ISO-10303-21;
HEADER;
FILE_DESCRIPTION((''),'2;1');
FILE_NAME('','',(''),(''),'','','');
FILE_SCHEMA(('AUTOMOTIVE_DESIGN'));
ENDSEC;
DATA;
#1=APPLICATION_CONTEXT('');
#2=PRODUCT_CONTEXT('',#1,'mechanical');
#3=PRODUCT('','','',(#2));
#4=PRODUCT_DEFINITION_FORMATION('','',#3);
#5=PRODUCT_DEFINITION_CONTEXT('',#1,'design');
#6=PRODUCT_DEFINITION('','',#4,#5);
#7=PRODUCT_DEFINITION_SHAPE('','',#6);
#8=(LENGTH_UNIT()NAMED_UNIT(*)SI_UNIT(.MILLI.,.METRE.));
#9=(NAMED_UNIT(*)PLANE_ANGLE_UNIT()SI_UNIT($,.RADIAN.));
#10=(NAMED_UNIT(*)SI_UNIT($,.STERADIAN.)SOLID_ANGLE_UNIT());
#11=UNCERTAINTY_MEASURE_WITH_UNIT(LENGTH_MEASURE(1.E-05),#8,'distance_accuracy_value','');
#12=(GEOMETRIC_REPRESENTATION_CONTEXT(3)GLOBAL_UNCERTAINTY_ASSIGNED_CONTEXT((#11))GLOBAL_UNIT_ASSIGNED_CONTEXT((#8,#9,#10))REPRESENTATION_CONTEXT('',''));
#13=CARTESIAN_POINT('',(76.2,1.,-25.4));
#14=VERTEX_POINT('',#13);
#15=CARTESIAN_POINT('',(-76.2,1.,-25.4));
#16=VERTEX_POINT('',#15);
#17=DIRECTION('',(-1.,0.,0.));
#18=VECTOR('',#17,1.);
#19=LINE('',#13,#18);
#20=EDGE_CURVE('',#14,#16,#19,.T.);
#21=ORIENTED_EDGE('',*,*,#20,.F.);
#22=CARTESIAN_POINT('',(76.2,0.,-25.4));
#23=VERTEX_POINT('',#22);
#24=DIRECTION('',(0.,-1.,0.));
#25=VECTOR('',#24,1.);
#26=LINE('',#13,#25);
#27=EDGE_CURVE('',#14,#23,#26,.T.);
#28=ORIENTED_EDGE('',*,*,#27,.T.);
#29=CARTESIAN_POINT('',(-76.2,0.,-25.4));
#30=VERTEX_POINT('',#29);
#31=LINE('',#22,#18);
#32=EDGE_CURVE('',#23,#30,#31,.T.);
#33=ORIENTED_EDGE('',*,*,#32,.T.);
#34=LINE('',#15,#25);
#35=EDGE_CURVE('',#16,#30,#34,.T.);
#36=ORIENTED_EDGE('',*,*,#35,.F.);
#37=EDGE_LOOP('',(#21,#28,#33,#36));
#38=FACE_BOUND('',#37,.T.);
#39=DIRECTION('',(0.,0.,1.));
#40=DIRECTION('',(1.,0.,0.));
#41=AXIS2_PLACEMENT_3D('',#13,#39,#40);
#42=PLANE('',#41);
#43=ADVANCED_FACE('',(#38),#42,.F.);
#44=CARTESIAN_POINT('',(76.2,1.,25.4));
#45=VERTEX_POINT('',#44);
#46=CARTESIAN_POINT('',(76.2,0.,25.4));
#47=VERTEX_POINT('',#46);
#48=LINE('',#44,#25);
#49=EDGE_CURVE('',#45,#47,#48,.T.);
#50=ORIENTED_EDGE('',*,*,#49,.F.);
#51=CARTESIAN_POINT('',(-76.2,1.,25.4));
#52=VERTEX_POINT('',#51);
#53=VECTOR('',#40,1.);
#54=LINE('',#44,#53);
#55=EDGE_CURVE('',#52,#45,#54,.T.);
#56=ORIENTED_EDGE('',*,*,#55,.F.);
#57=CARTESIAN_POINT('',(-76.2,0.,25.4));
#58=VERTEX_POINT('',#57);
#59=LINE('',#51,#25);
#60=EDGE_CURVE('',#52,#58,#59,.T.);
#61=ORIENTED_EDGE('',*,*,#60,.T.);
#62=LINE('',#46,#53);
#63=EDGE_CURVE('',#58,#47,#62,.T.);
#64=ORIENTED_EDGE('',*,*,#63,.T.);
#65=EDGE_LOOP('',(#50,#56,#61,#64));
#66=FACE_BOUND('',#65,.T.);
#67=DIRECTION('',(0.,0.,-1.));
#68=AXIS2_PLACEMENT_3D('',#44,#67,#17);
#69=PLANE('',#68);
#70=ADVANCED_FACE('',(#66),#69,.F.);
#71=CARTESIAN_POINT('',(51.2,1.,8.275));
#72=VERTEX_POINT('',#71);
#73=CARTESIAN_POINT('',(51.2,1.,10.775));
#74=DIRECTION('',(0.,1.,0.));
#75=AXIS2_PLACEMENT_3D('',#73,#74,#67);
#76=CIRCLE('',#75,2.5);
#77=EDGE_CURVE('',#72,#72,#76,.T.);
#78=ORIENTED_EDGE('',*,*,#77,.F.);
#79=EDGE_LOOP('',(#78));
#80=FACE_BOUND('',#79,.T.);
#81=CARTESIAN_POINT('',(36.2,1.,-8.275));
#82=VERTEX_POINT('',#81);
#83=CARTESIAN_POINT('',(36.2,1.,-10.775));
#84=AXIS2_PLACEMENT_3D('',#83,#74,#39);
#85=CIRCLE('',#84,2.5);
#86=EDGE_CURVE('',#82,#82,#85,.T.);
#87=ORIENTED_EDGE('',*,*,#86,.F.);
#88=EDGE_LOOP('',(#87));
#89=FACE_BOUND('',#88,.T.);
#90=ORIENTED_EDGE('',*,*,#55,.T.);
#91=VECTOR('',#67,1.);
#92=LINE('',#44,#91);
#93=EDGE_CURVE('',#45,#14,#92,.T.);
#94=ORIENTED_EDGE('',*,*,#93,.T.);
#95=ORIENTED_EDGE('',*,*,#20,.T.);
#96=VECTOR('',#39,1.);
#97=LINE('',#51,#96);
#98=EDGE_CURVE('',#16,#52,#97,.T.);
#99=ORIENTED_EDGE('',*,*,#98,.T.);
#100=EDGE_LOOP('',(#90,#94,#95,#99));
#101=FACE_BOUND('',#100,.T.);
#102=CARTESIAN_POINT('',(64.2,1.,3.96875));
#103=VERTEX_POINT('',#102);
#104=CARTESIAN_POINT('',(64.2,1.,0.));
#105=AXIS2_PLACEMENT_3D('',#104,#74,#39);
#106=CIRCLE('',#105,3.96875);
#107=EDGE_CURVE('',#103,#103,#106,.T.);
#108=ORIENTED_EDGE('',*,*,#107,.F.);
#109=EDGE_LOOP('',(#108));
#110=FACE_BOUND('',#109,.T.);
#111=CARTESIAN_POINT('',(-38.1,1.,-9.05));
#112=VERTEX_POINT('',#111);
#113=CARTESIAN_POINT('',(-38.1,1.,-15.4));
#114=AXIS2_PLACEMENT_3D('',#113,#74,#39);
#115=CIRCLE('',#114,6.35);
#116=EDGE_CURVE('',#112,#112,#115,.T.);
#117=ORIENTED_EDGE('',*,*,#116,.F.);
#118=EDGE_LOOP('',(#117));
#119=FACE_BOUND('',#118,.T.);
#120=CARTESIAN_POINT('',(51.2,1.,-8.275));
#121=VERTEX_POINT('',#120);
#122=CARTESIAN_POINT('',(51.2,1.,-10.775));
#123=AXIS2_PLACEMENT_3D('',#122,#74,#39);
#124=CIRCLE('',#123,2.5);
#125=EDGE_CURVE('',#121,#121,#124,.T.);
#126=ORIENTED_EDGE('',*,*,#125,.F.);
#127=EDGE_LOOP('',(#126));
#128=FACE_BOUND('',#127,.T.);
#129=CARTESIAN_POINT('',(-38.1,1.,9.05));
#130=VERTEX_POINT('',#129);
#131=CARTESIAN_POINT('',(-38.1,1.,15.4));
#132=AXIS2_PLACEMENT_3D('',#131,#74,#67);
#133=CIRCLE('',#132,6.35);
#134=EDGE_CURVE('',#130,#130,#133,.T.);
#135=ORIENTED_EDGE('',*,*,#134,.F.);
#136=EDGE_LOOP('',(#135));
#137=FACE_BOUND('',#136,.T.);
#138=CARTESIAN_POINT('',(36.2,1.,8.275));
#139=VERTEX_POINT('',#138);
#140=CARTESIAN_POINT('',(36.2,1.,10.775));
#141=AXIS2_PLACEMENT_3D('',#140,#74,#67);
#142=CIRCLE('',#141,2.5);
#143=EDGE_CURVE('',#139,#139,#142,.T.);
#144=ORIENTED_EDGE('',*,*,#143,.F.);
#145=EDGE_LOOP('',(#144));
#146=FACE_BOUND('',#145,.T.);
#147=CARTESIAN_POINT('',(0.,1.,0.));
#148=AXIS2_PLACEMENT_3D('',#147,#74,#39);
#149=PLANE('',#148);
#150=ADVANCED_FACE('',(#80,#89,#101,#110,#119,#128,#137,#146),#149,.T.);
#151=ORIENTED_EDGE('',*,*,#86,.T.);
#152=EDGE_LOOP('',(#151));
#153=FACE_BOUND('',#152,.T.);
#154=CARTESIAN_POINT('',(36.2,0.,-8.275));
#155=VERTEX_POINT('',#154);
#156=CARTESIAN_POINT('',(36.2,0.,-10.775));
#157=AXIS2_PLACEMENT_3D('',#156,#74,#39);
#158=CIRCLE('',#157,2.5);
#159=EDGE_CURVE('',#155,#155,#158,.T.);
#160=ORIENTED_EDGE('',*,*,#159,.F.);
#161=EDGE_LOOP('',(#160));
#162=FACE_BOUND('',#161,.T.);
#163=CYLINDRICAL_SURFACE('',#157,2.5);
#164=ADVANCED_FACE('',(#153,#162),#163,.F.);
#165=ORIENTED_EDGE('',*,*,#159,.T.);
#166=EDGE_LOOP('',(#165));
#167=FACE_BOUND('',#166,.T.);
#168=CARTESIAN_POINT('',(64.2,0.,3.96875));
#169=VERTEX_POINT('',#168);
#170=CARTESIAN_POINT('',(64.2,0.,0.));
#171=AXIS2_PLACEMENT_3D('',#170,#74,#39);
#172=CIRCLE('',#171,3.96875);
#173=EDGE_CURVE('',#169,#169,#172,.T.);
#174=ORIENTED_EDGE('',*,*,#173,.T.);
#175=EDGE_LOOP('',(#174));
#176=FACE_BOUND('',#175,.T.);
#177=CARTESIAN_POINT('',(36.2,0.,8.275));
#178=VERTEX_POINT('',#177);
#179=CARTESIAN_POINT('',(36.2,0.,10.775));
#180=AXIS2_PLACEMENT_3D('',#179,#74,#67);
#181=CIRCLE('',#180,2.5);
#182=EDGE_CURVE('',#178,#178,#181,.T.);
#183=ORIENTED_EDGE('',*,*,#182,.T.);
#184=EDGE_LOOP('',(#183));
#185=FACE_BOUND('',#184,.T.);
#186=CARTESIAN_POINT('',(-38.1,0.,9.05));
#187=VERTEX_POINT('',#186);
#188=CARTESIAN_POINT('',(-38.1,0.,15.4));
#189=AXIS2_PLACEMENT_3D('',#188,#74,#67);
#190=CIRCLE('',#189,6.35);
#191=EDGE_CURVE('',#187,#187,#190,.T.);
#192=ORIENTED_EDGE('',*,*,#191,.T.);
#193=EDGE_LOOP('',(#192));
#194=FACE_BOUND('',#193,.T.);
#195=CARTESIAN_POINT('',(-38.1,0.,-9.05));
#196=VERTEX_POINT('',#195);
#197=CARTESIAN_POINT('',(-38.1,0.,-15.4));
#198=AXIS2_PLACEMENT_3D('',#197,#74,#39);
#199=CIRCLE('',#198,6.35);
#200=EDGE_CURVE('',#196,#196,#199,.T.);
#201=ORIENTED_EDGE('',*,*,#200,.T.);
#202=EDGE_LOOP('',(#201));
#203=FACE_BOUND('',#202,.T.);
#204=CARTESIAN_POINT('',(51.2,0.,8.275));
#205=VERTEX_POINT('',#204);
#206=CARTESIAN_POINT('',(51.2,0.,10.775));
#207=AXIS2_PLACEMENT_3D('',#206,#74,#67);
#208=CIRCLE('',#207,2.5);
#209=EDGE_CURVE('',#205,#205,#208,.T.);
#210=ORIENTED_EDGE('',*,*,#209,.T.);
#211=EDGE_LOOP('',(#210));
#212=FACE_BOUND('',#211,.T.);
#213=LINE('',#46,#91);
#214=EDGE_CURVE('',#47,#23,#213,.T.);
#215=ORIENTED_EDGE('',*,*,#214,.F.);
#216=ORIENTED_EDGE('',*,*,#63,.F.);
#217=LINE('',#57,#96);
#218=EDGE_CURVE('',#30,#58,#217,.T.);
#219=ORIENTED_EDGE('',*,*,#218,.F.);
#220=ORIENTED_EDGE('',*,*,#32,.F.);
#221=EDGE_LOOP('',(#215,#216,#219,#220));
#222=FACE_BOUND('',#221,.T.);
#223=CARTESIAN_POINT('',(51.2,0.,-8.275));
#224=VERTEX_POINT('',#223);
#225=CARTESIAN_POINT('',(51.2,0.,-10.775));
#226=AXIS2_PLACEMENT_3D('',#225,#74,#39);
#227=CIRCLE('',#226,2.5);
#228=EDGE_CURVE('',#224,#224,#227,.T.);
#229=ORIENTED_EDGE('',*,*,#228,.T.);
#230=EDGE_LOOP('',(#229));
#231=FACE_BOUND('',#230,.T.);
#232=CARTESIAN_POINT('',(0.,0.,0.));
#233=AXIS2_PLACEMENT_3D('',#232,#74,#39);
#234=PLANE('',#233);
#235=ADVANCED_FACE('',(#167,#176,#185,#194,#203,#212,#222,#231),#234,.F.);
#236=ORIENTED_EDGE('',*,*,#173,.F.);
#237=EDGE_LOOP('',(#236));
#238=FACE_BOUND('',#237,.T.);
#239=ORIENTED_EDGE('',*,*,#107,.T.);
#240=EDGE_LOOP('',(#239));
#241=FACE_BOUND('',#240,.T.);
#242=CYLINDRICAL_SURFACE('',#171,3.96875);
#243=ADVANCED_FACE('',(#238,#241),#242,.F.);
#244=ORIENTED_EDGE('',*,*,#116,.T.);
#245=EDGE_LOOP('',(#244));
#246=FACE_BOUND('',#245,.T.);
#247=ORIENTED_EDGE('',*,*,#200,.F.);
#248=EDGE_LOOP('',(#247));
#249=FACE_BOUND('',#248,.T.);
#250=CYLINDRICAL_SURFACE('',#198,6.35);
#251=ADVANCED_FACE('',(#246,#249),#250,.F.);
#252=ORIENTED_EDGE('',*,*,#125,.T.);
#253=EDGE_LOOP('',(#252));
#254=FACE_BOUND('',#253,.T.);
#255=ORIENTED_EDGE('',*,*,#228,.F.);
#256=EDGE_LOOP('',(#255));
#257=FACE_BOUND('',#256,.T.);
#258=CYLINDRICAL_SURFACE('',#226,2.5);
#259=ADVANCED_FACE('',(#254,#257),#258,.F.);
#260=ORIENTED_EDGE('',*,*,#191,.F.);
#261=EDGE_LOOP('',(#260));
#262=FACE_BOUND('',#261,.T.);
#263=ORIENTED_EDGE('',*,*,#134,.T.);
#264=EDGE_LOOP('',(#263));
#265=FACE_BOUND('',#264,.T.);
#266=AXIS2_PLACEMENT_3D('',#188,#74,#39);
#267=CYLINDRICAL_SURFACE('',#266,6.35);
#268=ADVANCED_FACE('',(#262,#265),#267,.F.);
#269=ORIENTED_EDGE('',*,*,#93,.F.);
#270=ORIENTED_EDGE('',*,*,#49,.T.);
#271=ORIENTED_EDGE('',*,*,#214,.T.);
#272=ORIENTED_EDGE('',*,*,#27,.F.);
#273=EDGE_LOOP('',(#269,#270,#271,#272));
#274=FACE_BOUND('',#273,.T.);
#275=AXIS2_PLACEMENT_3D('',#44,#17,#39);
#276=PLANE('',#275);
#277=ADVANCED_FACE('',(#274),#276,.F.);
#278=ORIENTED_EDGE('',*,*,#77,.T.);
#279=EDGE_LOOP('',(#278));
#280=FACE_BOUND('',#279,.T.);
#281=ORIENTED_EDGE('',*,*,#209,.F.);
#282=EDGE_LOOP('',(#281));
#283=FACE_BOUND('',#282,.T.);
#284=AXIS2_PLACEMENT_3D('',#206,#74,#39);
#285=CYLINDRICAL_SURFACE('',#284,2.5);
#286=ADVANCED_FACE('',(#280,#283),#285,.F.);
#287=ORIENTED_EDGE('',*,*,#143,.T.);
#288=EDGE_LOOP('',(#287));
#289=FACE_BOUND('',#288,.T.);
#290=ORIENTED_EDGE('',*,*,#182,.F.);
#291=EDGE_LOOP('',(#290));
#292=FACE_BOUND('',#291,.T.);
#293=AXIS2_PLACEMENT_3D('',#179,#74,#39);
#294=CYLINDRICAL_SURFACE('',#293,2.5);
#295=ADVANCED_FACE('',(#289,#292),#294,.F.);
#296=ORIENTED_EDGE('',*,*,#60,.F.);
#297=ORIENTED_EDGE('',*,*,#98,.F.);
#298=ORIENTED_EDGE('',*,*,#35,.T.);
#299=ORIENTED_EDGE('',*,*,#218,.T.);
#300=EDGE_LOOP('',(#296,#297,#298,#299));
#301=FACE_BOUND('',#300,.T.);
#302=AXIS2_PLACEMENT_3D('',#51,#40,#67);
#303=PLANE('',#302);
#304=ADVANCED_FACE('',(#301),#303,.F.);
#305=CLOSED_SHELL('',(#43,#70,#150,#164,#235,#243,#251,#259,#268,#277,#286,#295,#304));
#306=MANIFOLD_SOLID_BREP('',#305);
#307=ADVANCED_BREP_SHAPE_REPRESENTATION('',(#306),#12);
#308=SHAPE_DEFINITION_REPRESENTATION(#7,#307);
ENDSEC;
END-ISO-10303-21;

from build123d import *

# Parameters (mm, degrees)
ESQUISSE1_W             = 152.4
ESQUISSE1_H             = 50.8
BOSS_EXTRU_1_DEPTH      = 1
ESQUISSE2_R             = 6.35
ENL_V_MAT_EXTRU_1_DEPTH = 1
ESQUISSE3_R             = 2.5
ENL_V_MAT_EXTRU_2_DEPTH = 1
ESQUISSE4_R             = 3.96875
ENL_V_MAT_EXTRU_3_DEPTH = 1


with BuildPart() as part:
    # Esquisse1 → Boss.-Extru.1 (new body)
    with BuildSketch(Plane(origin=(0, 0, 0), x_dir=(1, 0, 0), z_dir=(0, 1, 0))):
        Rectangle(ESQUISSE1_W, ESQUISSE1_H)
    extrude(amount=BOSS_EXTRU_1_DEPTH)

    # Esquisse2 → Enlèv. mat.-Extru.1 (cut)
    with BuildSketch(Plane(origin=(0, 1, 0), x_dir=(1, 0, 0), z_dir=(0, 1, 0))):
        with Locations((-38.1, 15.4)):
            Circle(ESQUISSE2_R)
        with Locations((-38.1, -15.4)):
            Circle(ESQUISSE2_R)
    extrude(amount=-ENL_V_MAT_EXTRU_1_DEPTH, mode=Mode.SUBTRACT)

    # Esquisse3 → Enlèv. mat.-Extru.2 (cut)
    with BuildSketch(Plane(origin=(0, 1, 0), x_dir=(1, 0, 0), z_dir=(0, 1, 0))):
        with Locations((51.2, 10.775)):
            Circle(ESQUISSE3_R)
        with Locations((36.2, 10.775)):
            Circle(ESQUISSE3_R)
        with Locations((36.2, -10.775)):
            Circle(ESQUISSE3_R)
        with Locations((51.2, -10.775)):
            Circle(ESQUISSE3_R)
    extrude(amount=-ENL_V_MAT_EXTRU_2_DEPTH, mode=Mode.SUBTRACT)

    # Esquisse4 → Enlèv. mat.-Extru.3 (cut)
    with BuildSketch(Plane(origin=(0, 1, 0), x_dir=(1, 0, 0), z_dir=(0, 1, 0))):
        with Locations((64.2, 0)):
            Circle(ESQUISSE4_R)
    extrude(amount=-ENL_V_MAT_EXTRU_3_DEPTH, mode=Mode.SUBTRACT)


solid = part.part
